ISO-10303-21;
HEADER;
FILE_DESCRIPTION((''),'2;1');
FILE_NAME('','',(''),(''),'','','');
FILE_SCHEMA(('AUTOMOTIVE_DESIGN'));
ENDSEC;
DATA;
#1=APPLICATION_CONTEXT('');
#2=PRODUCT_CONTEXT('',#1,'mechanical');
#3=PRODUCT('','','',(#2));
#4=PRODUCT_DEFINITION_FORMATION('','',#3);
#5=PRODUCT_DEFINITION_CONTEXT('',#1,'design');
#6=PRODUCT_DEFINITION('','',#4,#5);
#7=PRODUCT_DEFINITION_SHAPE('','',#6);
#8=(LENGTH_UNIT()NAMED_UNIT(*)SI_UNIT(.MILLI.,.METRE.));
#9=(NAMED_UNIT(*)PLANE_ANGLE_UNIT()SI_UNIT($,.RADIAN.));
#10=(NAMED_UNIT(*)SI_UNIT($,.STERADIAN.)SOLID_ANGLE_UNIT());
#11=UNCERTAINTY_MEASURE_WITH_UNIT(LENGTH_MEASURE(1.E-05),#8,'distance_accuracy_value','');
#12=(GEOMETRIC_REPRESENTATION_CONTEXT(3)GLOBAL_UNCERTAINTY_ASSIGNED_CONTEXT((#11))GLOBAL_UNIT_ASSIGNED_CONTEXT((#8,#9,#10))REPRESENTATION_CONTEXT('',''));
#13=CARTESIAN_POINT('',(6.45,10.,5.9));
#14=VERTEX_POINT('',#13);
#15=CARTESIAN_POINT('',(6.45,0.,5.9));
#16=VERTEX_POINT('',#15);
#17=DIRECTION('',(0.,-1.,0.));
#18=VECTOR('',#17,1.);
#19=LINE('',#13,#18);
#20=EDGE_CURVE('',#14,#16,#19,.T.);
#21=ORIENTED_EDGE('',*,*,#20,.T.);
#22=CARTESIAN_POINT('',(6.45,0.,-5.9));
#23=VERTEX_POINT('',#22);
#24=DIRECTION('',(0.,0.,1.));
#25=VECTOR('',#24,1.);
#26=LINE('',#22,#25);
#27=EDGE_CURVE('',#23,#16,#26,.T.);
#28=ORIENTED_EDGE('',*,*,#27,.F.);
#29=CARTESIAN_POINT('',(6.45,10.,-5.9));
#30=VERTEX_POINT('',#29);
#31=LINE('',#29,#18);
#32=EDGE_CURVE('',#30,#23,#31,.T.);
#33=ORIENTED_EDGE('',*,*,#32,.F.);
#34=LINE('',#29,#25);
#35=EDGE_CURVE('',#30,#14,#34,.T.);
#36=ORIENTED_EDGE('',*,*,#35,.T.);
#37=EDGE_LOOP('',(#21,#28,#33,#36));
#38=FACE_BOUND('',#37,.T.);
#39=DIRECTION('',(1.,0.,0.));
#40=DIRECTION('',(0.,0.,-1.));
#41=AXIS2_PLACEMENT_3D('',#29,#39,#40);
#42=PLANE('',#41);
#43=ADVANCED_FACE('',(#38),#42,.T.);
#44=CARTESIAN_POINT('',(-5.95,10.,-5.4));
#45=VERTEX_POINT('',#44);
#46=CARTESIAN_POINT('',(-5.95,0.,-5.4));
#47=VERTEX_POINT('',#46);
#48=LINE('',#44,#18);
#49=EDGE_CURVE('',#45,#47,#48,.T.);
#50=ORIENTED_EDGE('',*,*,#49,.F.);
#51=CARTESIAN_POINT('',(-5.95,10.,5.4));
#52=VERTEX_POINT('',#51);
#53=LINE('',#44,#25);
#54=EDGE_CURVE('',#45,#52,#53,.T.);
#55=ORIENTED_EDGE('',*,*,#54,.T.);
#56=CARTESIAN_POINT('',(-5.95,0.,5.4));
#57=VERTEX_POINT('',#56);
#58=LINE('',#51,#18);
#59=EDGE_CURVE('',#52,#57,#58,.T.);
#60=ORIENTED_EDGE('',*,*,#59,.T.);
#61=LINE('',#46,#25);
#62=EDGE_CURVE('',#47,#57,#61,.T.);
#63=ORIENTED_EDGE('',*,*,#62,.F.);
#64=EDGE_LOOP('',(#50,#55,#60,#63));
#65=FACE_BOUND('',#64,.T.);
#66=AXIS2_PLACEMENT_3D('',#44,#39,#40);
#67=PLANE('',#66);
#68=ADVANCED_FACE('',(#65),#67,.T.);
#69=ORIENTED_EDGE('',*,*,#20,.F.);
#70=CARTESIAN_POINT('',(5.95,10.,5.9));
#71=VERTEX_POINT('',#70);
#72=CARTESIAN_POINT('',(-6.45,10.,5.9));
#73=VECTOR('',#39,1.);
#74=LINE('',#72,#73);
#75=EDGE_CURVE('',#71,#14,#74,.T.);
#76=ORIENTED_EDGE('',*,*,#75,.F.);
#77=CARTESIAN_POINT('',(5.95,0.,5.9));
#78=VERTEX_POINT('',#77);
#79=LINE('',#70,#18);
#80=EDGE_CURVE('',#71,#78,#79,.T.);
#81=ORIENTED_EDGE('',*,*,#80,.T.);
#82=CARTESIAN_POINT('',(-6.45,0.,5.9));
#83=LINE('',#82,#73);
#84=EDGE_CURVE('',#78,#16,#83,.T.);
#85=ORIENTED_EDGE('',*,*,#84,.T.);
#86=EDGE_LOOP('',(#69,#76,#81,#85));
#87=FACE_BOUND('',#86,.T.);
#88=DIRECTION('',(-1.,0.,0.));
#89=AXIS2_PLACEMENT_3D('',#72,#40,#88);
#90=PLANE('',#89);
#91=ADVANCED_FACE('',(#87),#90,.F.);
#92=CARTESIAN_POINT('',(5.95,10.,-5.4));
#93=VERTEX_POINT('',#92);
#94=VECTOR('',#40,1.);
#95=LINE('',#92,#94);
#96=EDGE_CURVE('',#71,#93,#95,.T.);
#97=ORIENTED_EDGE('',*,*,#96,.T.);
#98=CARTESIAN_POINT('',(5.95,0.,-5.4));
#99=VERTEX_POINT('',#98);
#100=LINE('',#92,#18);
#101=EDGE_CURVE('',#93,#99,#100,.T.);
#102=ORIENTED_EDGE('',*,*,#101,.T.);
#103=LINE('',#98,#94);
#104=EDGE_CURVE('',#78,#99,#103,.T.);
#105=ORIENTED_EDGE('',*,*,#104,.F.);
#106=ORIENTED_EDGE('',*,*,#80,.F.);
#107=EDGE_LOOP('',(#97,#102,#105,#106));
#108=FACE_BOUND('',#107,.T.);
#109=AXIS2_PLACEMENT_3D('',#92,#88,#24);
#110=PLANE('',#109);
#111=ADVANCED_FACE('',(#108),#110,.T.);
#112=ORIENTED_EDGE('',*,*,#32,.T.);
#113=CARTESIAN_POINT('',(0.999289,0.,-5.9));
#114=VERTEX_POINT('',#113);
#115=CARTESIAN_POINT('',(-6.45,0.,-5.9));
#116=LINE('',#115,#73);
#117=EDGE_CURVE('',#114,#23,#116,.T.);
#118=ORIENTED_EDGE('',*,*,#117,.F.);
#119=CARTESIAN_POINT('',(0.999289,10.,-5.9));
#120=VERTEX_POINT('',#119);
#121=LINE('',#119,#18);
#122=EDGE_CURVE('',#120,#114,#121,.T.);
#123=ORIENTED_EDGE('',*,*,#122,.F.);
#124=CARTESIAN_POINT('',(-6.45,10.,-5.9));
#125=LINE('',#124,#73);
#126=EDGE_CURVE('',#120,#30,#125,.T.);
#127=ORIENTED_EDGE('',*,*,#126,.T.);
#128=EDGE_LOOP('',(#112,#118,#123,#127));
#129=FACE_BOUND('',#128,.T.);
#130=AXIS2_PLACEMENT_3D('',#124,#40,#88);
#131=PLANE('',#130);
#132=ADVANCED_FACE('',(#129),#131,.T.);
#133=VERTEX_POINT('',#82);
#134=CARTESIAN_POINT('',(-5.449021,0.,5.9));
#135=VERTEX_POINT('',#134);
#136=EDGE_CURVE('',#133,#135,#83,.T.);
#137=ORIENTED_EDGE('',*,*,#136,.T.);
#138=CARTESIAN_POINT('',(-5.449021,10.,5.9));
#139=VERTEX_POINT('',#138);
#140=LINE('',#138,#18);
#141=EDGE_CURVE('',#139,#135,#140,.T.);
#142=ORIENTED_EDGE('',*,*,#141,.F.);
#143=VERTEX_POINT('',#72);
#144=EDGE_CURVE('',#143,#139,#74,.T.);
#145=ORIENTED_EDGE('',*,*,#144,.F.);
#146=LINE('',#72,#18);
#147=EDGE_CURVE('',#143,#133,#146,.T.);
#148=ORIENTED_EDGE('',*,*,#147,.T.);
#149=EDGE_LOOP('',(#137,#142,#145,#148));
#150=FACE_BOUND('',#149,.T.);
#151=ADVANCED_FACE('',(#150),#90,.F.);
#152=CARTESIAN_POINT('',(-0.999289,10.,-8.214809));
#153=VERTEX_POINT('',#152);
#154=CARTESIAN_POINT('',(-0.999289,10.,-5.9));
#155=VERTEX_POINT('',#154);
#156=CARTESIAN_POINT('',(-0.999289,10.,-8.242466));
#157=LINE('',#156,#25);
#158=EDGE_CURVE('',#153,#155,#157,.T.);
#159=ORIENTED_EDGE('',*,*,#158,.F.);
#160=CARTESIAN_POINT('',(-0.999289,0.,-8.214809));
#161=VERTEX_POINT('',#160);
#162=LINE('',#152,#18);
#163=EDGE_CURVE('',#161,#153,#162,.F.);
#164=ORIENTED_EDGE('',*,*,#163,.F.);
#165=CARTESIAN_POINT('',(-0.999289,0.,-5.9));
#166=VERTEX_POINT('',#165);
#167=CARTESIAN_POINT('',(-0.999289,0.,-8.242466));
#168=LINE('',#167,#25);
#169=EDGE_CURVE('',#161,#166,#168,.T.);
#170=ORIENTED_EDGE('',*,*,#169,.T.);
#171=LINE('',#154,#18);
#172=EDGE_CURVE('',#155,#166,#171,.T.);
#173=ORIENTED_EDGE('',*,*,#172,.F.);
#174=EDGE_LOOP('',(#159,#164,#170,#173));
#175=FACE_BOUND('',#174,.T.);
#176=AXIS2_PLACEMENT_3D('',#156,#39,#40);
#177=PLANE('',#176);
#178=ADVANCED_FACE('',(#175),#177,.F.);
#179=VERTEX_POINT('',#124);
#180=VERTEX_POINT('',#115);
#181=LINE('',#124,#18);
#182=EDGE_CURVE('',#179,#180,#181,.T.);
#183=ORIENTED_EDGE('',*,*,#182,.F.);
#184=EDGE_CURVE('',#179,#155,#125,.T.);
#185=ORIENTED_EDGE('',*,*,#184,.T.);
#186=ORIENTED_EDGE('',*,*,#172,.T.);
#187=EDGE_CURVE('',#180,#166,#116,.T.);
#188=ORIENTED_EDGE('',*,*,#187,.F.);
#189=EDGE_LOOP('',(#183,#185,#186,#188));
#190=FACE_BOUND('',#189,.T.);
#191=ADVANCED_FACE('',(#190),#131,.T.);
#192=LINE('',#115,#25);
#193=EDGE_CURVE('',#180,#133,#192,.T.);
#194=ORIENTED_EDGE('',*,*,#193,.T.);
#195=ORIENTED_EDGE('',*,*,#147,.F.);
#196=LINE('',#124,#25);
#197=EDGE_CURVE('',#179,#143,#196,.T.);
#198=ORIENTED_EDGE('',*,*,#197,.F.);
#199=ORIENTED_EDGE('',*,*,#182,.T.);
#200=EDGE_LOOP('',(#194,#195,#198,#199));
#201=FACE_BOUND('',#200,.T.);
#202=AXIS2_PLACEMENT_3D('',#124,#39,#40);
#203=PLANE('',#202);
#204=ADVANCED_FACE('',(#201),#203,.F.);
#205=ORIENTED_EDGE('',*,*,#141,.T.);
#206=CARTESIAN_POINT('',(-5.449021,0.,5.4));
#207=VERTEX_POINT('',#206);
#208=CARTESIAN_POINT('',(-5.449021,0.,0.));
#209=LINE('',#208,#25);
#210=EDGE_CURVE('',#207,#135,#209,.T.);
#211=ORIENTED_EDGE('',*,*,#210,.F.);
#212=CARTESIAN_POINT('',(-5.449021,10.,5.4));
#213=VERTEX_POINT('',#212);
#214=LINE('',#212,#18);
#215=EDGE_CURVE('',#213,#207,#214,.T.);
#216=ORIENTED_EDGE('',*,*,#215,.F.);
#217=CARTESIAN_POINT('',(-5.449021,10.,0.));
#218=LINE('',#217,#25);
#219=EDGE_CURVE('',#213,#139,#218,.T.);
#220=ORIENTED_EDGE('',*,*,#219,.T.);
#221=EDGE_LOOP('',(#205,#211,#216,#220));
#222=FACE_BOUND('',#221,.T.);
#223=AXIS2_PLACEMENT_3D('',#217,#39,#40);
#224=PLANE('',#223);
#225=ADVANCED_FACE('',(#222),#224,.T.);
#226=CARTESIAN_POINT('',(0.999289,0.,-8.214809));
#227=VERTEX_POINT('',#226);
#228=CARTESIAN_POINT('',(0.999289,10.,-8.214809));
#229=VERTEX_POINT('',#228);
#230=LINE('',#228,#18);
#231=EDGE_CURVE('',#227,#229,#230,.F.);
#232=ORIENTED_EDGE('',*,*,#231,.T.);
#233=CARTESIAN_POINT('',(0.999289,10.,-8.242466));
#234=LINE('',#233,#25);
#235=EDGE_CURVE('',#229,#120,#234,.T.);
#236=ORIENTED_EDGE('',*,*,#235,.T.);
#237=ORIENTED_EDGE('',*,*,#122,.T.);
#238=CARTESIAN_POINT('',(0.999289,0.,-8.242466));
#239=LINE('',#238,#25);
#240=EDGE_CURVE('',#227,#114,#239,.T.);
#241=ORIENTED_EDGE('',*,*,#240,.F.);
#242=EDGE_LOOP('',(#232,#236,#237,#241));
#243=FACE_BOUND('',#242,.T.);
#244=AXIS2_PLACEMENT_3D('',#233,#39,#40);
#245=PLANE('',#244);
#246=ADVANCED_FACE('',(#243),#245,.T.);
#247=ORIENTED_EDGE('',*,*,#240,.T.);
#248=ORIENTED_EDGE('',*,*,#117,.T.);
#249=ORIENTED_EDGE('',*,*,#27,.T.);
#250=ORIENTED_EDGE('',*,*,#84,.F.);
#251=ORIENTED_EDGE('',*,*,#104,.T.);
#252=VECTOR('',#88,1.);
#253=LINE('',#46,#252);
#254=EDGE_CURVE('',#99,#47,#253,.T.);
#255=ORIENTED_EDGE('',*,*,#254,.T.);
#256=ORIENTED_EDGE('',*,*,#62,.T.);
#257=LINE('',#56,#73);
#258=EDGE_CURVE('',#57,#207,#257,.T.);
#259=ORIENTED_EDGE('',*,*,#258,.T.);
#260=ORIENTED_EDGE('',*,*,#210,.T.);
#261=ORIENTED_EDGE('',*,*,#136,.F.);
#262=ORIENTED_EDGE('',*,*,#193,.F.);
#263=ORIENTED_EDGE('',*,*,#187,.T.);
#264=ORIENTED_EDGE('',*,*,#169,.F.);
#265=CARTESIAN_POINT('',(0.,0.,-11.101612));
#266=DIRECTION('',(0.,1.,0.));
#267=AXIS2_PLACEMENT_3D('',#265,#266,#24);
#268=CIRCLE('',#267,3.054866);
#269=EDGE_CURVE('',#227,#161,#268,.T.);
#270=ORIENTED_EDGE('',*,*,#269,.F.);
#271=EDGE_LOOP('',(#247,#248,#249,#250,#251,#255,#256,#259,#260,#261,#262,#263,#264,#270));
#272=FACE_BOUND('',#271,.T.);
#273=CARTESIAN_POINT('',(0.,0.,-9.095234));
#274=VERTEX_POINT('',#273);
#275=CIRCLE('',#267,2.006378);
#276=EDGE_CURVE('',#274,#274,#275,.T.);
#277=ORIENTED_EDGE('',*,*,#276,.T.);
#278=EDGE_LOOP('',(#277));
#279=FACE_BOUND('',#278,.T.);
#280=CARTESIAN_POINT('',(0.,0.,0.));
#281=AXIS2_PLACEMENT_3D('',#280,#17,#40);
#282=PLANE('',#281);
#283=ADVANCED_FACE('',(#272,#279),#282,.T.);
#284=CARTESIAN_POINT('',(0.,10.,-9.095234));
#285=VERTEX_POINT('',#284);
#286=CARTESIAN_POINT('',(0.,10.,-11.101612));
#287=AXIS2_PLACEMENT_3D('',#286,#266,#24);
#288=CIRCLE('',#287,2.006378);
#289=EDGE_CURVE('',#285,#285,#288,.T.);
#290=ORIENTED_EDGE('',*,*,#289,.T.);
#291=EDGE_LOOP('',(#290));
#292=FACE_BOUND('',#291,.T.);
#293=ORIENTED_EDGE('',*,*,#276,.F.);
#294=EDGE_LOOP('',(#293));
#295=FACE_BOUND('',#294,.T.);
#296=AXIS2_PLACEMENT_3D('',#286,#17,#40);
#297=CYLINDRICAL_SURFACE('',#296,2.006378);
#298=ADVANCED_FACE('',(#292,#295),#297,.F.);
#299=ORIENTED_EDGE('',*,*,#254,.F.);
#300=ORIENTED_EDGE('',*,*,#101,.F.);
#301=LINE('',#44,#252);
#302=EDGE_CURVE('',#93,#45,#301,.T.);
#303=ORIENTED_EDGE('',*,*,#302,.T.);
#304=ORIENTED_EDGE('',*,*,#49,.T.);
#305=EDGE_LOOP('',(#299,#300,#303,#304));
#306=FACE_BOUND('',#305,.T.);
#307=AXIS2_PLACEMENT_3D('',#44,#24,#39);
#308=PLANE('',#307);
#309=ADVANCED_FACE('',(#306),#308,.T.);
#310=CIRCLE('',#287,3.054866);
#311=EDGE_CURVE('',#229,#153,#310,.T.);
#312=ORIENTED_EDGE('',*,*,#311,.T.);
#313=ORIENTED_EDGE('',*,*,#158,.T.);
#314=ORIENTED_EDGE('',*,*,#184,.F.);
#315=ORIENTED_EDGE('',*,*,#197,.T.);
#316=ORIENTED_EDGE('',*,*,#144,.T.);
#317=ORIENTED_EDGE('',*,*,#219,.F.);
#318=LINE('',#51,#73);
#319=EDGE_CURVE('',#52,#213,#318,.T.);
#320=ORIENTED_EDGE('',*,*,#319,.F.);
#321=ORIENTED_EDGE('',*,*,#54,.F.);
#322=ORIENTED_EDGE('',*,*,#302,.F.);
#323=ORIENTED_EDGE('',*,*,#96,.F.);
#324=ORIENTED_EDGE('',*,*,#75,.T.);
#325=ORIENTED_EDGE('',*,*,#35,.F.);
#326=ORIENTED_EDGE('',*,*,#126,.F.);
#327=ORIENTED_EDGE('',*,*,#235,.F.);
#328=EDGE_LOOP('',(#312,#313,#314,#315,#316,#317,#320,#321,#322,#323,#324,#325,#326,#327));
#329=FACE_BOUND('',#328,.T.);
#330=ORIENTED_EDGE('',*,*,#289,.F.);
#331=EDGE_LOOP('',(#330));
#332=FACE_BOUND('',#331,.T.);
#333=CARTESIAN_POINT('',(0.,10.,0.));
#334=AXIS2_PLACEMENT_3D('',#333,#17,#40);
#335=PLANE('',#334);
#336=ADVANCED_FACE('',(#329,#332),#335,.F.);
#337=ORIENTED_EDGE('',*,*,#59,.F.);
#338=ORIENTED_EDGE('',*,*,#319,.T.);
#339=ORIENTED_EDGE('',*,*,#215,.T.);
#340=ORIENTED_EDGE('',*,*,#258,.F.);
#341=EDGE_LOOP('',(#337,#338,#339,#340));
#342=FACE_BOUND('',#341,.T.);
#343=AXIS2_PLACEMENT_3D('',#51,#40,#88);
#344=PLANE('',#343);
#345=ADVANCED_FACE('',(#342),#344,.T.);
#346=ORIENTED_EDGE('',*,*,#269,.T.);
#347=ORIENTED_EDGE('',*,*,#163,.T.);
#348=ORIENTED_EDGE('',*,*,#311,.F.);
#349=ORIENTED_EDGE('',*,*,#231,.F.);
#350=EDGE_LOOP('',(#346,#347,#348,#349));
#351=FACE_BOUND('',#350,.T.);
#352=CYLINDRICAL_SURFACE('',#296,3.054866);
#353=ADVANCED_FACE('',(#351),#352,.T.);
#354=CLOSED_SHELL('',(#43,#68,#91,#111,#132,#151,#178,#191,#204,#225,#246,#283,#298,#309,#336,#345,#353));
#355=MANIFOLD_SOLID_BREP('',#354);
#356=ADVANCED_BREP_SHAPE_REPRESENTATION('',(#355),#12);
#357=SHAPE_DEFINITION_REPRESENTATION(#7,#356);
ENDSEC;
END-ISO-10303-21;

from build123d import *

# Parameters (mm, degrees)
SKETCH3_W           = 12.9
SKETCH3_H           = 11.8
BOSS_EXTRUDE2_DEPTH = 10
SKETCH4_W           = 11.9
SKETCH4_H           = 10.8
CUT_EXTRUDE1_DEPTH  = 10
SKETCH5_W           = 11.3990209
SKETCH5_H           = 5.9
CUT_EXTRUDE2_DEPTH  = 10
SKETCH6_W           = 1.998577766
SKETCH6_H           = 2.842465616
BOSS_EXTRUDE3_DEPTH = 10
SKETCH7_R           = 3.054866119
BOSS_EXTRUDE4_DEPTH = 10
SKETCH8_R           = 2.006377858
CUT_EXTRUDE3_DEPTH  = 10


with BuildPart() as part:
    # Sketch3 → Boss-Extrude2 (new body)
    with BuildSketch(Plane(origin=(0, 0, 0), x_dir=(1, 0, 0), z_dir=(0, 1, 0))):
        Rectangle(SKETCH3_W, SKETCH3_H)
    extrude(amount=BOSS_EXTRUDE2_DEPTH)

    # Sketch4 → Cut-Extrude1 (cut)
    with BuildSketch(Plane(origin=(0, 0, 0), x_dir=(1, 0, 0), z_dir=(0, 1, 0))):
        Rectangle(SKETCH4_W, SKETCH4_H)
    extrude(amount=CUT_EXTRUDE1_DEPTH, mode=Mode.SUBTRACT)

    # Sketch5 → Cut-Extrude2 (cut)
    with BuildSketch(Plane(origin=(0, 0, 0), x_dir=(1, 0, 0), z_dir=(0, 1, 0))):
        with Locations((0.25048955, -2.95)):
            Rectangle(SKETCH5_W, SKETCH5_H)
    extrude(amount=CUT_EXTRUDE2_DEPTH, mode=Mode.SUBTRACT)

    # Sketch6 → Boss-Extrude3 (add)
    with BuildSketch(Plane(origin=(0, 0, 0), x_dir=(1, 0, 0), z_dir=(0, 1, 0))):
        with Locations((0, 6.821232808)):
            Rectangle(SKETCH6_W, SKETCH6_H)
    extrude(amount=BOSS_EXTRUDE3_DEPTH)

    # Sketch7 → Boss-Extrude4 (add)
    with BuildSketch(Plane(origin=(0, 0, 0), x_dir=(1, 0, 0), z_dir=(0, 1, 0))):
        with Locations((0, 11.101611726)):
            Circle(SKETCH7_R)
    extrude(amount=BOSS_EXTRUDE4_DEPTH)

    # Sketch8 → Cut-Extrude3 (cut)
    with BuildSketch(Plane(origin=(0, 0, 0), x_dir=(1, 0, 0), z_dir=(0, 1, 0))):
        with Locations(Location((0, 11.101611726, 0), (0, 0, 270))):
            Circle(SKETCH8_R)
    extrude(amount=CUT_EXTRUDE3_DEPTH, mode=Mode.SUBTRACT)


solid = part.part
